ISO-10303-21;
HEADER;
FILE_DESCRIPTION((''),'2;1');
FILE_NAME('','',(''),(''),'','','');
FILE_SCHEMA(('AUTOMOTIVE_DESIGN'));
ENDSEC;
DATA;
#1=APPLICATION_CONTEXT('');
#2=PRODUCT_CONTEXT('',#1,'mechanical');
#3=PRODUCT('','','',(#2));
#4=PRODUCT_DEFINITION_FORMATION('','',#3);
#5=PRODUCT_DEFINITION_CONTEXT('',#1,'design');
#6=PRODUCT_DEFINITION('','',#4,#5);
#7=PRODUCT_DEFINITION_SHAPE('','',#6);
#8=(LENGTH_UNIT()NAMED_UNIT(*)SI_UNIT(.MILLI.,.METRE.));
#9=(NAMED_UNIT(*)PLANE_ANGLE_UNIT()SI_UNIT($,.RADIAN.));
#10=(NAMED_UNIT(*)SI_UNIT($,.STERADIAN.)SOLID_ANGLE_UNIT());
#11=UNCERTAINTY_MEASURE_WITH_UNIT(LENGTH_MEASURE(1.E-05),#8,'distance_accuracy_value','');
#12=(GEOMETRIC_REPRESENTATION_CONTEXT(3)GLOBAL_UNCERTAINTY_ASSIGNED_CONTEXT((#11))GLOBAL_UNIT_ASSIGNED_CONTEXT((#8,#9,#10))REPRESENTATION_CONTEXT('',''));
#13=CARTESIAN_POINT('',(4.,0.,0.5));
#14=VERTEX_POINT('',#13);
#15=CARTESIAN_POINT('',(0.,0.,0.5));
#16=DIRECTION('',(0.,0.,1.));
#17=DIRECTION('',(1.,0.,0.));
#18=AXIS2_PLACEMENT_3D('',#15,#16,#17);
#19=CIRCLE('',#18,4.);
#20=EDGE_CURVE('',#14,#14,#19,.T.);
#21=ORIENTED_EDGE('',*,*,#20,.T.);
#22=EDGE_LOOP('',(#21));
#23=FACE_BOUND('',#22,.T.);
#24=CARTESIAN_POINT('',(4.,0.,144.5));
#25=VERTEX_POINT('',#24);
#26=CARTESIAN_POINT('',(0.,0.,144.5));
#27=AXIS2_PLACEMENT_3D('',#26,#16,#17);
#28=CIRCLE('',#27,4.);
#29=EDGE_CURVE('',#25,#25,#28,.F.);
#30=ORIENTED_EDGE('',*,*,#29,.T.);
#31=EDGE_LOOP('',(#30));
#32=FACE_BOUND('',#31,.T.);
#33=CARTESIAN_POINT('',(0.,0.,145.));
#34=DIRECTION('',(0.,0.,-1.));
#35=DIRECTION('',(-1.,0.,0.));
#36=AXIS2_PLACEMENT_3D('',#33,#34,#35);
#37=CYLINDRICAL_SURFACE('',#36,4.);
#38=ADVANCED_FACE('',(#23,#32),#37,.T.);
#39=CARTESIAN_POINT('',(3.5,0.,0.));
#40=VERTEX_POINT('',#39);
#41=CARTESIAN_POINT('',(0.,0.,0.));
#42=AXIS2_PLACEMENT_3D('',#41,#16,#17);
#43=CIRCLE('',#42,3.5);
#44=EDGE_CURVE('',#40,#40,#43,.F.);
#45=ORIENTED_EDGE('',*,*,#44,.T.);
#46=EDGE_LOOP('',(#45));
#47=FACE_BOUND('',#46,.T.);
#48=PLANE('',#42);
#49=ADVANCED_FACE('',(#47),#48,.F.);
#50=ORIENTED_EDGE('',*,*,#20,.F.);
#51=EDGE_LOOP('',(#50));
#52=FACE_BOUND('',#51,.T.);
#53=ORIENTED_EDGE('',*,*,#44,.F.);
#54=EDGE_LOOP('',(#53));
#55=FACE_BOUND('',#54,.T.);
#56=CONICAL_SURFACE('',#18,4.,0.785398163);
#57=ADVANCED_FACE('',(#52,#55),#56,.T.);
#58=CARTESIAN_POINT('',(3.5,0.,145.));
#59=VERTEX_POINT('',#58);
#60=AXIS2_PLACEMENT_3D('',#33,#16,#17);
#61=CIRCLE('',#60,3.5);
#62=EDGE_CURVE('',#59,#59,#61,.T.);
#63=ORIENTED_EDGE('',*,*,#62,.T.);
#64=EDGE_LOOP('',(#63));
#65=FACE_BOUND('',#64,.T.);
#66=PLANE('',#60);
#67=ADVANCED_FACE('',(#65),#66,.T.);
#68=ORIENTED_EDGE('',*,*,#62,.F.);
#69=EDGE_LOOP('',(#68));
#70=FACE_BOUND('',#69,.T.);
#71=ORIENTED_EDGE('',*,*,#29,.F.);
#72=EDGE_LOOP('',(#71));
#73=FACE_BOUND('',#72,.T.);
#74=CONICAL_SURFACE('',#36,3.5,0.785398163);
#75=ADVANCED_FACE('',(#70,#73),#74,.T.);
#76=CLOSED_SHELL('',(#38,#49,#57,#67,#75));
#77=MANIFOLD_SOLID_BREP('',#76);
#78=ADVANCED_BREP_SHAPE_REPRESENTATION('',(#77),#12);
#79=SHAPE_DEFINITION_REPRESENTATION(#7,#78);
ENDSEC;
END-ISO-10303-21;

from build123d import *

# Parameters (mm, degrees)
SKETCH2_R           = 4
BOSS_EXTRUDE1_DEPTH = 145
CHAMFER1_SIZE       = 0.5


with BuildPart() as part:
    # Sketch2 → Boss-Extrude1 (new body)
    with BuildSketch(Plane.XY):
        Circle(SKETCH2_R)
    extrude(amount=BOSS_EXTRUDE1_DEPTH)

    # Chamfer1
    chamfer1_edges = [part.edges().sort_by_distance(p)[0] for p in [
        (-4, 0, 0),
        (-4, 0, 145),
    ]]
    chamfer(chamfer1_edges, length=CHAMFER1_SIZE)


solid = part.part
